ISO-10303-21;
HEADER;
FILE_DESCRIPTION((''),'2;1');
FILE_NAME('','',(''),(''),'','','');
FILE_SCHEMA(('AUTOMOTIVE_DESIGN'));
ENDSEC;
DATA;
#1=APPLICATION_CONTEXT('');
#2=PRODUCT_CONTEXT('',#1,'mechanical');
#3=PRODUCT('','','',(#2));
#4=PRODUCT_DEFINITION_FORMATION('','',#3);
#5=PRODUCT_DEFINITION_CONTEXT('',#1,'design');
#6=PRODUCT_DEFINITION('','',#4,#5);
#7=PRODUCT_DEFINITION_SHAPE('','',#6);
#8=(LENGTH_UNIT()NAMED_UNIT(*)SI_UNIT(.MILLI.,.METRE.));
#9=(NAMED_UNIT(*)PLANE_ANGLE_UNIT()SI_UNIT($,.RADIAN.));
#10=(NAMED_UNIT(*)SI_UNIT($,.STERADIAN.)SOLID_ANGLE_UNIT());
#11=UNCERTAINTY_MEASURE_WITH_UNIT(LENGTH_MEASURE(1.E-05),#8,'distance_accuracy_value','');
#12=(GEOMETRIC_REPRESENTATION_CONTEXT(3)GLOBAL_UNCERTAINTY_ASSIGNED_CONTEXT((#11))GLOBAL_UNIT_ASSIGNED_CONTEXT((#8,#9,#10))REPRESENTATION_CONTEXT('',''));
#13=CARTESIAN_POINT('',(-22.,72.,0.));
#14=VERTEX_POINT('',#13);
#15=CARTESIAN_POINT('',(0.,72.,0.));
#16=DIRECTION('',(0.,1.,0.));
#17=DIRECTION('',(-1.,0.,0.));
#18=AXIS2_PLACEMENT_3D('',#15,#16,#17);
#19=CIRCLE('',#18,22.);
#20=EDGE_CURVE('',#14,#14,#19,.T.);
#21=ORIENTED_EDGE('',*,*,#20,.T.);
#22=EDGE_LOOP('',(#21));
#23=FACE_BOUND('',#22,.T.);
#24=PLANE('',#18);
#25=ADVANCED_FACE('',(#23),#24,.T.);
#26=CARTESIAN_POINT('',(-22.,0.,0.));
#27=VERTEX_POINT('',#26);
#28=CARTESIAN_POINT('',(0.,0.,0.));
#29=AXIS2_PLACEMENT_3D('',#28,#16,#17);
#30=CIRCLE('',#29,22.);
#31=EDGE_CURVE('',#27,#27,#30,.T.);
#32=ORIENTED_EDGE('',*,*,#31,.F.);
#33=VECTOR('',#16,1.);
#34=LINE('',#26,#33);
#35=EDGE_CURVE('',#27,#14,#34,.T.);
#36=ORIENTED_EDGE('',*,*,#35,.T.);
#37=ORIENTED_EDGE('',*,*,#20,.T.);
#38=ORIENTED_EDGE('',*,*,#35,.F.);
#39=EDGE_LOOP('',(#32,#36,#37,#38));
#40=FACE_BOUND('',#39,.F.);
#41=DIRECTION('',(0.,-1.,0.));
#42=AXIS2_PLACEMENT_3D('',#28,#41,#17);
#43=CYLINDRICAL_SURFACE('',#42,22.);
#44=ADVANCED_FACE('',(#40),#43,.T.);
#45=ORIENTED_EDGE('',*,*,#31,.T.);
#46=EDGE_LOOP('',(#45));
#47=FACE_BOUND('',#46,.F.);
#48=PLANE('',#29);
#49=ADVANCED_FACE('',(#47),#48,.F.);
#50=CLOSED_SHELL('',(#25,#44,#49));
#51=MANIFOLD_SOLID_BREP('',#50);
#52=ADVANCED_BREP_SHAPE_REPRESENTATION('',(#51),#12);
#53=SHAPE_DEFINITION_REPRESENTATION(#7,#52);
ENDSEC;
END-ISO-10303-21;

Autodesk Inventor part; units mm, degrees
ref_plane "YZ Plane" through (0, 0, 0) normal (1, 0, 0) x (0, 1, 0)
ref_plane "XZ Plane" through (0, 0, 0) normal (0, 1, 0) x (-1, 0, 0)
ref_plane "XY Plane" through (0, 0, 0) normal (0, 0, 1) x (1, 0, 0)
sketch "スケッチ1" plane through (0, 0, 0) normal (0, 1, 0) x (-1, 0, 0)
  circle A0 centre (0, 0) radius 22
  dimension "d0" = 44
extrude "押し出し1" add sketch "スケッチ1" along normal blind 72
properties part number "motor"
